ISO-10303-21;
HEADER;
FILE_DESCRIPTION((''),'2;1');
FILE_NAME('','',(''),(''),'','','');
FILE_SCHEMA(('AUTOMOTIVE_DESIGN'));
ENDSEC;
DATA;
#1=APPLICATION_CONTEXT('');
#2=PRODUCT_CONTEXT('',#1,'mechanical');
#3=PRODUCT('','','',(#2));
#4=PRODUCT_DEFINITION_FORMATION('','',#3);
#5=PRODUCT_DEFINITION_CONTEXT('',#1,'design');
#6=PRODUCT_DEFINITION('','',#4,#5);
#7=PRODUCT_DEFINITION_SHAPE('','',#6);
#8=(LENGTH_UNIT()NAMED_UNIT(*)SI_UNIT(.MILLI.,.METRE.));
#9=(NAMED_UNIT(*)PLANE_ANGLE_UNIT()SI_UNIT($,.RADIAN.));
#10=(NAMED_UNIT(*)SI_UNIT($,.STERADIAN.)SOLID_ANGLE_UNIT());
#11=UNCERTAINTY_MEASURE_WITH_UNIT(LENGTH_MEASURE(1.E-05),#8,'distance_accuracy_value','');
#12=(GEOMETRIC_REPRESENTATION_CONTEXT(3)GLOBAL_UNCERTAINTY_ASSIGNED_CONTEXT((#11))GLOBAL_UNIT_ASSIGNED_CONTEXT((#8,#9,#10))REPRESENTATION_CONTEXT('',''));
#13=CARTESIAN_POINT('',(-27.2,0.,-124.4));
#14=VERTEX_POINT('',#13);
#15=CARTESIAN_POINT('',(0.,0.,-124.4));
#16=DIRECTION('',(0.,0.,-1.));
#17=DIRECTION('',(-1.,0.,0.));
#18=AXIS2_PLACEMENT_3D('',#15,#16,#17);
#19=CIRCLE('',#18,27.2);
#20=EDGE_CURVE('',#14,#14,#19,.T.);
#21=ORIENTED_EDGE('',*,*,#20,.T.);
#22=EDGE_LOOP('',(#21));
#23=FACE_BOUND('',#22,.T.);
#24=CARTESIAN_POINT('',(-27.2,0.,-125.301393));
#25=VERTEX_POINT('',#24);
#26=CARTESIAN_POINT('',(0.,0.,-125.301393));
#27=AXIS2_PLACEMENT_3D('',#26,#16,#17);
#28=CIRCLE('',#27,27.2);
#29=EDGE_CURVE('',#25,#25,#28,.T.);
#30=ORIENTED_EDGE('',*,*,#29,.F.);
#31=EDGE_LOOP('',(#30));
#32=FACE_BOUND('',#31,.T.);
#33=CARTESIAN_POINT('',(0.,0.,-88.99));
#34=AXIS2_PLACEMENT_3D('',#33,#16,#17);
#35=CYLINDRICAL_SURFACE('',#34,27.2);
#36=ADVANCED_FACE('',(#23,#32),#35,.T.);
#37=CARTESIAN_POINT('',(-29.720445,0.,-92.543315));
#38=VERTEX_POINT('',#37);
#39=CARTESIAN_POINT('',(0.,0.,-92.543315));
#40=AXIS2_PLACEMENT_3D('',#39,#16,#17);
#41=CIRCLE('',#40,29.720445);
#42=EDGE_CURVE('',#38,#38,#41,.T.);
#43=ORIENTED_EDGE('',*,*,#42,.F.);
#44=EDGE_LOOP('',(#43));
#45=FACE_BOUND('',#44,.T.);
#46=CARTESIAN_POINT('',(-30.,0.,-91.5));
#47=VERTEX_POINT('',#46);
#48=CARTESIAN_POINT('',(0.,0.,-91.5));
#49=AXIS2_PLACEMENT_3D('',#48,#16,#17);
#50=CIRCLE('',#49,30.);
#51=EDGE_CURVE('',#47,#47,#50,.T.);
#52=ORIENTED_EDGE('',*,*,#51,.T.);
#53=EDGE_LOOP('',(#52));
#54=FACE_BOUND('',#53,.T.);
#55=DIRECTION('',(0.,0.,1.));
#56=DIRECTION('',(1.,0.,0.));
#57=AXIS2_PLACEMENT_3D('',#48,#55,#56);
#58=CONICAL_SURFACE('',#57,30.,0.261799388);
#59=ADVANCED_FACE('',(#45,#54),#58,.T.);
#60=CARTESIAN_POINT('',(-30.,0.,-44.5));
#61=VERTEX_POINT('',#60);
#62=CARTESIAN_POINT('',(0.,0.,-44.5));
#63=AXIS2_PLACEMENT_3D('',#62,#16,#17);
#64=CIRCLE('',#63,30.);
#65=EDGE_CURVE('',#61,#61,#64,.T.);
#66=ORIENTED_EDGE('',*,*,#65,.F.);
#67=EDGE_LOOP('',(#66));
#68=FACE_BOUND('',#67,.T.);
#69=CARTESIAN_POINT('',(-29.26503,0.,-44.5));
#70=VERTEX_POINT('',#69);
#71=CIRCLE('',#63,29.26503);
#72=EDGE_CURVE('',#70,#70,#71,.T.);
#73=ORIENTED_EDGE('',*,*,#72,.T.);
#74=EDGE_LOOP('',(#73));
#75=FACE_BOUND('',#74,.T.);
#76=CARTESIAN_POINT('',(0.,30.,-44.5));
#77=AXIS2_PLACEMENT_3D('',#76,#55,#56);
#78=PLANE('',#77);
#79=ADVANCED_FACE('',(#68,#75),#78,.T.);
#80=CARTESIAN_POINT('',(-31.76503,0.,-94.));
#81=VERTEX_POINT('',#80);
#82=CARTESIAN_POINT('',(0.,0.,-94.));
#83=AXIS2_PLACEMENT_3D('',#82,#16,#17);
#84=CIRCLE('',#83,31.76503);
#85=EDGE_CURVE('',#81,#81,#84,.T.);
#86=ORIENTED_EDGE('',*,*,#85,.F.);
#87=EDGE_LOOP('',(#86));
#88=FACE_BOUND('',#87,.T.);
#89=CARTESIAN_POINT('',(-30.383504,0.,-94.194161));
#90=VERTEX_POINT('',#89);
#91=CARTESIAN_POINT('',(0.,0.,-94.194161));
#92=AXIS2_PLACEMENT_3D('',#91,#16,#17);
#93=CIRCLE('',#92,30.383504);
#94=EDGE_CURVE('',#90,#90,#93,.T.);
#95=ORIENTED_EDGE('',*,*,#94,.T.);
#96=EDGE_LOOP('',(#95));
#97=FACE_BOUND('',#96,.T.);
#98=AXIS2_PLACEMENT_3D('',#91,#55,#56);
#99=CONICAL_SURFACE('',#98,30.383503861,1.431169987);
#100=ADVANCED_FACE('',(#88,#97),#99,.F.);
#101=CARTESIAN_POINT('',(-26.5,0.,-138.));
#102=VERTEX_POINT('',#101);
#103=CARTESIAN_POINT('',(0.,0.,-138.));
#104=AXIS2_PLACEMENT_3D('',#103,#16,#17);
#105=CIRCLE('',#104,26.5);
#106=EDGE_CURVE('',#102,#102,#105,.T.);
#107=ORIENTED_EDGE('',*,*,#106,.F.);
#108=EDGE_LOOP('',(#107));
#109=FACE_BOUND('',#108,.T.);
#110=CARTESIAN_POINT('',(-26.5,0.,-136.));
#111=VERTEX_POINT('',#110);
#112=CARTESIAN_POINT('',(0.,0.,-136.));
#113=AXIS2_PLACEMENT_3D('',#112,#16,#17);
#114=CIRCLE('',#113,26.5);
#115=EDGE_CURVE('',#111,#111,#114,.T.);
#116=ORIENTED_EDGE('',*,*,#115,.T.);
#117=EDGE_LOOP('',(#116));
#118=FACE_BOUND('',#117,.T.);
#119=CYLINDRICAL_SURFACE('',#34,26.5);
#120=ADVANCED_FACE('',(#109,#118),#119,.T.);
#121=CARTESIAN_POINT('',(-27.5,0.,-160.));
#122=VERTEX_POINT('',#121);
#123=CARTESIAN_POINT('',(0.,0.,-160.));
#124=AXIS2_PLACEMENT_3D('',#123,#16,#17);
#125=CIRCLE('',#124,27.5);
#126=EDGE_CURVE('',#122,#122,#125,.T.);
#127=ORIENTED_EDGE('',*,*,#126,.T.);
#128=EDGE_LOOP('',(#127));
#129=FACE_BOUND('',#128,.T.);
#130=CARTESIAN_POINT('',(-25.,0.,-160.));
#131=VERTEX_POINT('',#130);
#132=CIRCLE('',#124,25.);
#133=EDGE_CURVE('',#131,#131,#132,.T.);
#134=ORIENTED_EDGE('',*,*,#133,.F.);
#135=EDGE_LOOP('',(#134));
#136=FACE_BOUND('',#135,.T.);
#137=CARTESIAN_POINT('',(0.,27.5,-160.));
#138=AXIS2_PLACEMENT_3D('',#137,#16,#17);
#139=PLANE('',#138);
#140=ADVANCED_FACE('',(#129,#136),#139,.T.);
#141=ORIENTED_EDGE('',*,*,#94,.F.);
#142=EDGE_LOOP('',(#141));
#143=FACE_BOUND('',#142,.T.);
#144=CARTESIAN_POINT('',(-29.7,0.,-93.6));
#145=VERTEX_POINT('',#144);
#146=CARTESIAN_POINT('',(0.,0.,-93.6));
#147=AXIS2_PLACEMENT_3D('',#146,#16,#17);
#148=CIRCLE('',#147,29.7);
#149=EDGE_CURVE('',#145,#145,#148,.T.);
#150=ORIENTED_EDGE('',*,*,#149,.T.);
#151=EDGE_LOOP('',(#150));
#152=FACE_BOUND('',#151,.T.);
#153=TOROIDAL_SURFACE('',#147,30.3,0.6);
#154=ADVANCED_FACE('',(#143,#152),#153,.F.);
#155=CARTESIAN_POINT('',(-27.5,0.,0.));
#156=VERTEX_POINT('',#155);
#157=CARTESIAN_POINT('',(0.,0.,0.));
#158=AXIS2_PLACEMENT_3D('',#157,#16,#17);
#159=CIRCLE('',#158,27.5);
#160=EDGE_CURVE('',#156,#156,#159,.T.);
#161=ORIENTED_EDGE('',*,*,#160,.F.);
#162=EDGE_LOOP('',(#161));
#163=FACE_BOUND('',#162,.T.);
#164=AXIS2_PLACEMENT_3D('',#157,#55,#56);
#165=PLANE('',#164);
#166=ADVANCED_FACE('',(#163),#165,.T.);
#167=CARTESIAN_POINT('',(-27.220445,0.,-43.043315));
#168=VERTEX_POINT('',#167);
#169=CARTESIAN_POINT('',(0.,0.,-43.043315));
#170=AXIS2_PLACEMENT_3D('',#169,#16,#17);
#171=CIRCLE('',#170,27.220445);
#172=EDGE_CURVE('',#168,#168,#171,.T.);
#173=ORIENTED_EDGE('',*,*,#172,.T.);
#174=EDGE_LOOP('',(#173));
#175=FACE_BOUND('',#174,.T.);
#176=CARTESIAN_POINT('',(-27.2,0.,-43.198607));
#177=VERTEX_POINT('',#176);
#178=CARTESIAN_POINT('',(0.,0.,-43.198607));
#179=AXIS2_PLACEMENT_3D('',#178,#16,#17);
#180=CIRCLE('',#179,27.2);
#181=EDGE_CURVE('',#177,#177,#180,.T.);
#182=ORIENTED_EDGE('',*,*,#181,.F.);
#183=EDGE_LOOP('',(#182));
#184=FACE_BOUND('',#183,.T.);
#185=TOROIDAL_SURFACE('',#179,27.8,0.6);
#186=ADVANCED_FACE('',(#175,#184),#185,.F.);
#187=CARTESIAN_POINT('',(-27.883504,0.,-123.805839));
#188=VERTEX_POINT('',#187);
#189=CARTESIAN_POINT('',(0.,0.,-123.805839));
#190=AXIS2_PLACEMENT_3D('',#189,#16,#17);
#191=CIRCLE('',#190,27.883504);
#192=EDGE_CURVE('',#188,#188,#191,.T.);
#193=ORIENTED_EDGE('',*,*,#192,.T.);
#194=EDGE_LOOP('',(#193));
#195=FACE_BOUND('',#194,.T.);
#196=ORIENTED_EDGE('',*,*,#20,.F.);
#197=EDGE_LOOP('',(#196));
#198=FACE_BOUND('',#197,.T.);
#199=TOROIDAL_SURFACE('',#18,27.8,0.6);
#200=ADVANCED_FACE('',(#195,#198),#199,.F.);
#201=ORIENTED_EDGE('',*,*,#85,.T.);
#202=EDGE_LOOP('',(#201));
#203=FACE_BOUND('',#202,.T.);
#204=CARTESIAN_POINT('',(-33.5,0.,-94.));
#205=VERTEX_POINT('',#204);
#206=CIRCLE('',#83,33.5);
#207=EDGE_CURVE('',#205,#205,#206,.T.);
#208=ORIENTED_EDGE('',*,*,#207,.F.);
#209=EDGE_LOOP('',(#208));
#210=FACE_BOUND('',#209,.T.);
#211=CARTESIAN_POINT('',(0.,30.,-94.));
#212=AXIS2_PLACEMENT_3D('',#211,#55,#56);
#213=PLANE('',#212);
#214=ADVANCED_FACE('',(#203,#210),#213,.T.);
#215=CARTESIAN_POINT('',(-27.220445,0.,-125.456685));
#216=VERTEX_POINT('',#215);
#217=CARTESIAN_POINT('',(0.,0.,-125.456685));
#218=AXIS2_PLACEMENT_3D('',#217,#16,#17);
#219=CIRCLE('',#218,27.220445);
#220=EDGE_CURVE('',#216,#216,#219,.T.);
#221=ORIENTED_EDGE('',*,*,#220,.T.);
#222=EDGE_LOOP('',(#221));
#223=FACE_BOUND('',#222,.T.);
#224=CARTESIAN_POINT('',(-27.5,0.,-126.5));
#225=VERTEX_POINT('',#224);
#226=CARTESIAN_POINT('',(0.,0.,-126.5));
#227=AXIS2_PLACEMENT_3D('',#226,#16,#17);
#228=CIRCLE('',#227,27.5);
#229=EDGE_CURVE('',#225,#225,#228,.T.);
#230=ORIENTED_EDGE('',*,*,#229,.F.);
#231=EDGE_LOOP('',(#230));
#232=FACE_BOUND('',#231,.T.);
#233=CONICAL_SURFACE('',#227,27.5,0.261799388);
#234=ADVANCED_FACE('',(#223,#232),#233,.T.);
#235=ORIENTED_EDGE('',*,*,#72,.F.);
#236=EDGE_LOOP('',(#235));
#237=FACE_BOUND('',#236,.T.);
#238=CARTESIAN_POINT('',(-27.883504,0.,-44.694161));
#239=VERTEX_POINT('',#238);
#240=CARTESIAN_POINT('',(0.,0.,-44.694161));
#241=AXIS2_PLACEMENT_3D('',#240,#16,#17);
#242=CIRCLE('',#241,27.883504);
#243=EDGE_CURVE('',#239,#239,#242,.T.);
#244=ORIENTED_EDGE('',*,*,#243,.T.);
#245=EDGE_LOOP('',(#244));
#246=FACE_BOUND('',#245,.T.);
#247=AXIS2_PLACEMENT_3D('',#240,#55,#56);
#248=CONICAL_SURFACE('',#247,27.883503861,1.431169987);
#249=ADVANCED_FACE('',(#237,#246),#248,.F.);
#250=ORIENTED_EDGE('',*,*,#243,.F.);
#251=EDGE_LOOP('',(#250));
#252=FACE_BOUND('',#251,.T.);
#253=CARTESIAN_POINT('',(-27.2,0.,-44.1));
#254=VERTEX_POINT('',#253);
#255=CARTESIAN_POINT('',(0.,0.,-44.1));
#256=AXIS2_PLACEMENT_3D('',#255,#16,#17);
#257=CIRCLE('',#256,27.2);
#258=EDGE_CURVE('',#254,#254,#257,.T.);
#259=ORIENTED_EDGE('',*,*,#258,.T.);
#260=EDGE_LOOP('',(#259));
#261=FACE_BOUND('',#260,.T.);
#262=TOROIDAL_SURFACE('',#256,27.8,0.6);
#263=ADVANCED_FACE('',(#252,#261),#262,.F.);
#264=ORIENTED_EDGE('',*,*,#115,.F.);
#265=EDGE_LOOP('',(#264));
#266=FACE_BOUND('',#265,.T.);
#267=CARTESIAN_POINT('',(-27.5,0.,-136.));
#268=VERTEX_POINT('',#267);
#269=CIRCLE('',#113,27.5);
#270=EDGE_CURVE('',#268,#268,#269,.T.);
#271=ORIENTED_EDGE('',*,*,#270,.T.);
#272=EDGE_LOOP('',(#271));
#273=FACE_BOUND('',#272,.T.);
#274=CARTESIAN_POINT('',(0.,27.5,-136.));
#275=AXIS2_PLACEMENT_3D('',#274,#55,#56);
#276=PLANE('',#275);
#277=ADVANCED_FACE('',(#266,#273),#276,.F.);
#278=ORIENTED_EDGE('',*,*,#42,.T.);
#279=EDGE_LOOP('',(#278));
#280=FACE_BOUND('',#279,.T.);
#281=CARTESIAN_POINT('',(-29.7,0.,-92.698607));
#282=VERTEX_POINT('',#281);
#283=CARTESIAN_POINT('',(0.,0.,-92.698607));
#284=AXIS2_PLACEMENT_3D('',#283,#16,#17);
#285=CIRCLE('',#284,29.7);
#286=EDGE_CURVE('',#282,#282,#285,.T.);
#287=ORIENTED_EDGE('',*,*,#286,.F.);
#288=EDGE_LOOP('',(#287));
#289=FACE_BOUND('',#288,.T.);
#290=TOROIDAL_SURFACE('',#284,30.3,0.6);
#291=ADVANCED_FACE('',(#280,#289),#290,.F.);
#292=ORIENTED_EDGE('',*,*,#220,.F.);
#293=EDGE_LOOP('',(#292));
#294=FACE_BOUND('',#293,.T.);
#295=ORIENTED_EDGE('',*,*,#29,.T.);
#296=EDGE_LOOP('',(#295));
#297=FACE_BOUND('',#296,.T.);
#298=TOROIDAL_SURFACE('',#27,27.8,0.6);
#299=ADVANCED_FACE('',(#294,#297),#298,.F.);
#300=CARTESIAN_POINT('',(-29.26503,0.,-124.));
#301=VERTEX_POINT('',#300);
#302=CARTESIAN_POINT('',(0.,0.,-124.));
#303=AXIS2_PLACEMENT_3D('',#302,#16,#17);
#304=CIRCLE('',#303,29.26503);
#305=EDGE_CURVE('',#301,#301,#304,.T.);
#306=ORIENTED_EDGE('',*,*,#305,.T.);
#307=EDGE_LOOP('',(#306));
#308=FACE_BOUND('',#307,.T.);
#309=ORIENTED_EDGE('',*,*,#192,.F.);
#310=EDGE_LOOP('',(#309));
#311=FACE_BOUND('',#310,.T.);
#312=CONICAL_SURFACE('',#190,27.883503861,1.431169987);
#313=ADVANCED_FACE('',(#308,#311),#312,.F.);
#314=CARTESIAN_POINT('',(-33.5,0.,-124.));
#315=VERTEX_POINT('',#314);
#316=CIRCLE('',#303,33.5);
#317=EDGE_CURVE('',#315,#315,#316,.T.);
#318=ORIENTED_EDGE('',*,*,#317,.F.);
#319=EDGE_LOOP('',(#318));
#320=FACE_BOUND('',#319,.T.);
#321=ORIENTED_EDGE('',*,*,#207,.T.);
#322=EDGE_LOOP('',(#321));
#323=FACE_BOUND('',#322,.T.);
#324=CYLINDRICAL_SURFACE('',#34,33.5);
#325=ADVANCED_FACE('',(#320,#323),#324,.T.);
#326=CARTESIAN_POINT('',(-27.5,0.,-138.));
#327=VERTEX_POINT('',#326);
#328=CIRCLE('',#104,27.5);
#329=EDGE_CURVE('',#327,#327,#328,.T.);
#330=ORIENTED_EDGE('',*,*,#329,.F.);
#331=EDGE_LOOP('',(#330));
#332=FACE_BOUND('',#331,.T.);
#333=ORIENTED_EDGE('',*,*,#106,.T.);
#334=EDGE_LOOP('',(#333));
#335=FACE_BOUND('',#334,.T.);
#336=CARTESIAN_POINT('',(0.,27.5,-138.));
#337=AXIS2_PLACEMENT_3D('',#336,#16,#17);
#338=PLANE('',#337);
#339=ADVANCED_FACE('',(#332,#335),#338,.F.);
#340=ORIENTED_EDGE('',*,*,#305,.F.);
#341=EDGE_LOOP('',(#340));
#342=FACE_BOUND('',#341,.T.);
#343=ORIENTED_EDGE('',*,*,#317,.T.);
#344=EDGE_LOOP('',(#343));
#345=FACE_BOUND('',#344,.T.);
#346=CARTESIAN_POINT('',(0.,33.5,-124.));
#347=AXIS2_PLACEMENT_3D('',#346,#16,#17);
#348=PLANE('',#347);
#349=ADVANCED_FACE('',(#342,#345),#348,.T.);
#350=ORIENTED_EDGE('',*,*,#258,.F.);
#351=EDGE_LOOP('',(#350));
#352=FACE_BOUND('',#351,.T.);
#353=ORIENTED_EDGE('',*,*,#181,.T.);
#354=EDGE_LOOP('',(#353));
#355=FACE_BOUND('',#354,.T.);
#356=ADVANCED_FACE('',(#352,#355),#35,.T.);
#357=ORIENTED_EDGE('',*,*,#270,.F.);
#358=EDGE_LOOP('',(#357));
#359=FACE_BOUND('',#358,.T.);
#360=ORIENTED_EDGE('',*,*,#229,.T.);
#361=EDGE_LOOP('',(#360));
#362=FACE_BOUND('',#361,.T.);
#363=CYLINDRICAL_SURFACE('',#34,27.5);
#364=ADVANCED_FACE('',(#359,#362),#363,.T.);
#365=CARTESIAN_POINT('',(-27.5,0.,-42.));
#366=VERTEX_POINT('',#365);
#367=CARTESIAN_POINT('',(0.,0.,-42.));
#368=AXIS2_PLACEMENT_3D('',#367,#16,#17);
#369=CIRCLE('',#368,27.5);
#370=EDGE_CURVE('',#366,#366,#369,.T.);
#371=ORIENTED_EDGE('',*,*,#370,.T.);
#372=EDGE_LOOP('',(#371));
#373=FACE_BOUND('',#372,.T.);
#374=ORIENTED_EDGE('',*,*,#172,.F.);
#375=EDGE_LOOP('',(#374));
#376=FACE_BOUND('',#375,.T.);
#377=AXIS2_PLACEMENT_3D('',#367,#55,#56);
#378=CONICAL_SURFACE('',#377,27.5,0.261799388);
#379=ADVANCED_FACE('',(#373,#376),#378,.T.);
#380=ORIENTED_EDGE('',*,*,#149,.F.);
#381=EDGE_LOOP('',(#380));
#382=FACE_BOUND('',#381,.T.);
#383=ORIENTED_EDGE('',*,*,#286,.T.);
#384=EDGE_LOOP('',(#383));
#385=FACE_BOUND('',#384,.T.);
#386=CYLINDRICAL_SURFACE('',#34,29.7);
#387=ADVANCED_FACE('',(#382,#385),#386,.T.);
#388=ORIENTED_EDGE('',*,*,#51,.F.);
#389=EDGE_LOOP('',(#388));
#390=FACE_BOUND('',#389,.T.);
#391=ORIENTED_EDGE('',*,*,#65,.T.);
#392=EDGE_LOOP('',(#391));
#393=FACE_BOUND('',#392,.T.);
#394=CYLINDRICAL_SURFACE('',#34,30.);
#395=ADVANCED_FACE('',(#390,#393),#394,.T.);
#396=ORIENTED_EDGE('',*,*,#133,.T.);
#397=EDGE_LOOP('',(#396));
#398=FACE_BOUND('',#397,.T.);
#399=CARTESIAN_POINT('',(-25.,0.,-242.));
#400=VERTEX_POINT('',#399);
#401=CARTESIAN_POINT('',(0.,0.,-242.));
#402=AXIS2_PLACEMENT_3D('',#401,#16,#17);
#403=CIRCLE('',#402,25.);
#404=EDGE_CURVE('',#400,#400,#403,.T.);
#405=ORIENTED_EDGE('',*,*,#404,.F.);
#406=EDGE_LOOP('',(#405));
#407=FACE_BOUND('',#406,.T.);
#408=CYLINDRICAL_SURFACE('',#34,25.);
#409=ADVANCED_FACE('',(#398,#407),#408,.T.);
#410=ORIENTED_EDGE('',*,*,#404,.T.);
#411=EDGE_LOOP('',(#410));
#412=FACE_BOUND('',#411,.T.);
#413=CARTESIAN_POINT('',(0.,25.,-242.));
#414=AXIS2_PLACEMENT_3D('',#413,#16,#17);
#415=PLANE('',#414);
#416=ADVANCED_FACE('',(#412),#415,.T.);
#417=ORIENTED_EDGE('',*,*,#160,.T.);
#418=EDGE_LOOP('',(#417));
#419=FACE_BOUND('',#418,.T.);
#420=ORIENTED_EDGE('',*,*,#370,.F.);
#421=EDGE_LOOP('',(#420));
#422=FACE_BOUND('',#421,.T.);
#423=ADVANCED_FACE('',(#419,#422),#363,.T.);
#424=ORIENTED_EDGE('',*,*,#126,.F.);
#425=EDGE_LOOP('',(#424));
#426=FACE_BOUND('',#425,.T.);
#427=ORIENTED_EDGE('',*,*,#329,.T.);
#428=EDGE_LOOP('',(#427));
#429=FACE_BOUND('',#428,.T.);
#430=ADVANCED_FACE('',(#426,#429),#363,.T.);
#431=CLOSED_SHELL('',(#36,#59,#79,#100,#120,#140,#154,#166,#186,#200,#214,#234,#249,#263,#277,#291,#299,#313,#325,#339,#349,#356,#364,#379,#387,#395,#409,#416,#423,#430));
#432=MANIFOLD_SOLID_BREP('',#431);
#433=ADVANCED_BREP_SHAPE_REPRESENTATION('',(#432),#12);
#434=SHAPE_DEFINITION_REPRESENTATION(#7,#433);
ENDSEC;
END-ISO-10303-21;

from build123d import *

# Parameters (mm, degrees)
NUT_W = 2
NUT_H = 1


with BuildPart() as part:
    # Au_enkontur → Rotation_GK (revolve)
    with BuildSketch(Plane(origin=(0, 0, 0), x_dir=(0, 0, -1), z_dir=(1, 0, 0)), mode=Mode.PRIVATE) as rotation_gk_sk:
        Polygon((0, 0), (0, 27.5), (44.5, 27.5), (44.5, 30), (94, 30), (94, 33.5), (124, 33.5), (124, 27.5), (160, 27.5), (160, 25), (242, 25), (242, 0), align=None)
    revolve(rotation_gk_sk.sketch.rotate(Axis((0, 0, -88.99), (0, 0, 1)), 90), axis=Axis((0, 0, -88.99), (0, 0, 1)))  # turned: the seam where the file's is

    # Freistich 1 → Schnitt-Rotation_Freistich 1 (revolve, cut)
    with BuildSketch(Plane(origin=(0, 0, 0), x_dir=(0, 0, -1), z_dir=(1, 0, 0)), mode=Mode.PRIVATE) as schnitt_rotation_freistich_1_sk:
        with BuildLine():
            Line((42, 27.5), (43.043315314, 27.220444504))
            ThreePointArc((43.043315314, 27.220444504), (43.120291025, 27.205133083), (43.198606741, 27.2))
            Line((43.198606741, 27.2), (44.1, 27.2))
            ThreePointArc((44.1, 27.2), (44.552825748, 27.406364583), (44.694160841, 27.883503861))
            Line((44.694160841, 27.883503861), (44.5, 29.265030032))
            Line((44.5, 29.265030032), (42, 29.265030032))
            Line((42, 29.265030032), (42, 27.5))
        make_face()
    revolve(schnitt_rotation_freistich_1_sk.sketch.rotate(Axis((0, 0, -88.99), (0, 0, 1)), 90), axis=Axis((0, 0, -88.99), (0, 0, 1)), mode=Mode.SUBTRACT)  # turned: the seam where the file's is

    # Freistich 2 → Schnitt-Rotation_Freistich 2 (revolve, cut)
    with BuildSketch(Plane(origin=(0, 2.5, -49.5), x_dir=(0, 0, -1), z_dir=(1, 0, 0)), mode=Mode.PRIVATE) as schnitt_rotation_freistich_2_sk:
        with BuildLine():
            Line((42, 27.5), (43.043315314, 27.220444504))
            ThreePointArc((43.043315314, 27.220444504), (43.120291025, 27.205133083), (43.198606741, 27.2))
            Line((43.198606741, 27.2), (44.1, 27.2))
            ThreePointArc((44.1, 27.2), (44.552825748, 27.406364583), (44.694160841, 27.883503861))
            Line((44.694160841, 27.883503861), (44.5, 29.265030032))
            Line((44.5, 29.265030032), (42, 29.265030032))
            Line((42, 29.265030032), (42, 27.5))
        make_face()
    revolve(schnitt_rotation_freistich_2_sk.sketch.rotate(Axis((0, 0, -88.99), (0, 0, 1)), 90), axis=Axis((0, 0, -88.99), (0, 0, 1)), mode=Mode.SUBTRACT)  # turned: the seam where the file's is

    # Freistich 3 → Schnitt-Rotation_Freistich 3 (revolve, cut)
    with BuildSketch(Plane(origin=(0, 0, -168.5), x_dir=(0, 0, 1), z_dir=(-1, 0, 0)), mode=Mode.PRIVATE) as schnitt_rotation_freistich_3_sk:
        with BuildLine():
            Line((42, 27.5), (43.043315314, 27.220444504))
            ThreePointArc((43.043315314, 27.220444504), (43.120291025, 27.205133083), (43.198606741, 27.2))
            Line((43.198606741, 27.2), (44.1, 27.2))
            ThreePointArc((44.1, 27.2), (44.552825748, 27.406364583), (44.694160841, 27.883503861))
            Line((44.694160841, 27.883503861), (44.5, 29.265030032))
            Line((44.5, 29.265030032), (42, 29.265030032))
            Line((42, 29.265030032), (42, 27.5))
        make_face()
    revolve(schnitt_rotation_freistich_3_sk.sketch.rotate(Axis((0, 0, -88.99), (0, 0, 1)), 90), axis=Axis((0, 0, -88.99), (0, 0, 1)), mode=Mode.SUBTRACT)  # turned: the seam where the file's is

    # Nut → Schnitt-Rotation_Nut (revolve, cut)
    with BuildSketch(Plane(origin=(0, 0, 0), x_dir=(0, 0, -1), z_dir=(1, 0, 0)), mode=Mode.PRIVATE) as schnitt_rotation_nut_sk:
        with Locations((137, 27)):
            Rectangle(NUT_W, NUT_H)
    revolve(schnitt_rotation_nut_sk.sketch.rotate(Axis((0, 0, -88.99), (0, 0, 1)), 90), axis=Axis((0, 0, -88.99), (0, 0, 1)), mode=Mode.SUBTRACT)  # turned: the seam where the file's is


solid = part.part
